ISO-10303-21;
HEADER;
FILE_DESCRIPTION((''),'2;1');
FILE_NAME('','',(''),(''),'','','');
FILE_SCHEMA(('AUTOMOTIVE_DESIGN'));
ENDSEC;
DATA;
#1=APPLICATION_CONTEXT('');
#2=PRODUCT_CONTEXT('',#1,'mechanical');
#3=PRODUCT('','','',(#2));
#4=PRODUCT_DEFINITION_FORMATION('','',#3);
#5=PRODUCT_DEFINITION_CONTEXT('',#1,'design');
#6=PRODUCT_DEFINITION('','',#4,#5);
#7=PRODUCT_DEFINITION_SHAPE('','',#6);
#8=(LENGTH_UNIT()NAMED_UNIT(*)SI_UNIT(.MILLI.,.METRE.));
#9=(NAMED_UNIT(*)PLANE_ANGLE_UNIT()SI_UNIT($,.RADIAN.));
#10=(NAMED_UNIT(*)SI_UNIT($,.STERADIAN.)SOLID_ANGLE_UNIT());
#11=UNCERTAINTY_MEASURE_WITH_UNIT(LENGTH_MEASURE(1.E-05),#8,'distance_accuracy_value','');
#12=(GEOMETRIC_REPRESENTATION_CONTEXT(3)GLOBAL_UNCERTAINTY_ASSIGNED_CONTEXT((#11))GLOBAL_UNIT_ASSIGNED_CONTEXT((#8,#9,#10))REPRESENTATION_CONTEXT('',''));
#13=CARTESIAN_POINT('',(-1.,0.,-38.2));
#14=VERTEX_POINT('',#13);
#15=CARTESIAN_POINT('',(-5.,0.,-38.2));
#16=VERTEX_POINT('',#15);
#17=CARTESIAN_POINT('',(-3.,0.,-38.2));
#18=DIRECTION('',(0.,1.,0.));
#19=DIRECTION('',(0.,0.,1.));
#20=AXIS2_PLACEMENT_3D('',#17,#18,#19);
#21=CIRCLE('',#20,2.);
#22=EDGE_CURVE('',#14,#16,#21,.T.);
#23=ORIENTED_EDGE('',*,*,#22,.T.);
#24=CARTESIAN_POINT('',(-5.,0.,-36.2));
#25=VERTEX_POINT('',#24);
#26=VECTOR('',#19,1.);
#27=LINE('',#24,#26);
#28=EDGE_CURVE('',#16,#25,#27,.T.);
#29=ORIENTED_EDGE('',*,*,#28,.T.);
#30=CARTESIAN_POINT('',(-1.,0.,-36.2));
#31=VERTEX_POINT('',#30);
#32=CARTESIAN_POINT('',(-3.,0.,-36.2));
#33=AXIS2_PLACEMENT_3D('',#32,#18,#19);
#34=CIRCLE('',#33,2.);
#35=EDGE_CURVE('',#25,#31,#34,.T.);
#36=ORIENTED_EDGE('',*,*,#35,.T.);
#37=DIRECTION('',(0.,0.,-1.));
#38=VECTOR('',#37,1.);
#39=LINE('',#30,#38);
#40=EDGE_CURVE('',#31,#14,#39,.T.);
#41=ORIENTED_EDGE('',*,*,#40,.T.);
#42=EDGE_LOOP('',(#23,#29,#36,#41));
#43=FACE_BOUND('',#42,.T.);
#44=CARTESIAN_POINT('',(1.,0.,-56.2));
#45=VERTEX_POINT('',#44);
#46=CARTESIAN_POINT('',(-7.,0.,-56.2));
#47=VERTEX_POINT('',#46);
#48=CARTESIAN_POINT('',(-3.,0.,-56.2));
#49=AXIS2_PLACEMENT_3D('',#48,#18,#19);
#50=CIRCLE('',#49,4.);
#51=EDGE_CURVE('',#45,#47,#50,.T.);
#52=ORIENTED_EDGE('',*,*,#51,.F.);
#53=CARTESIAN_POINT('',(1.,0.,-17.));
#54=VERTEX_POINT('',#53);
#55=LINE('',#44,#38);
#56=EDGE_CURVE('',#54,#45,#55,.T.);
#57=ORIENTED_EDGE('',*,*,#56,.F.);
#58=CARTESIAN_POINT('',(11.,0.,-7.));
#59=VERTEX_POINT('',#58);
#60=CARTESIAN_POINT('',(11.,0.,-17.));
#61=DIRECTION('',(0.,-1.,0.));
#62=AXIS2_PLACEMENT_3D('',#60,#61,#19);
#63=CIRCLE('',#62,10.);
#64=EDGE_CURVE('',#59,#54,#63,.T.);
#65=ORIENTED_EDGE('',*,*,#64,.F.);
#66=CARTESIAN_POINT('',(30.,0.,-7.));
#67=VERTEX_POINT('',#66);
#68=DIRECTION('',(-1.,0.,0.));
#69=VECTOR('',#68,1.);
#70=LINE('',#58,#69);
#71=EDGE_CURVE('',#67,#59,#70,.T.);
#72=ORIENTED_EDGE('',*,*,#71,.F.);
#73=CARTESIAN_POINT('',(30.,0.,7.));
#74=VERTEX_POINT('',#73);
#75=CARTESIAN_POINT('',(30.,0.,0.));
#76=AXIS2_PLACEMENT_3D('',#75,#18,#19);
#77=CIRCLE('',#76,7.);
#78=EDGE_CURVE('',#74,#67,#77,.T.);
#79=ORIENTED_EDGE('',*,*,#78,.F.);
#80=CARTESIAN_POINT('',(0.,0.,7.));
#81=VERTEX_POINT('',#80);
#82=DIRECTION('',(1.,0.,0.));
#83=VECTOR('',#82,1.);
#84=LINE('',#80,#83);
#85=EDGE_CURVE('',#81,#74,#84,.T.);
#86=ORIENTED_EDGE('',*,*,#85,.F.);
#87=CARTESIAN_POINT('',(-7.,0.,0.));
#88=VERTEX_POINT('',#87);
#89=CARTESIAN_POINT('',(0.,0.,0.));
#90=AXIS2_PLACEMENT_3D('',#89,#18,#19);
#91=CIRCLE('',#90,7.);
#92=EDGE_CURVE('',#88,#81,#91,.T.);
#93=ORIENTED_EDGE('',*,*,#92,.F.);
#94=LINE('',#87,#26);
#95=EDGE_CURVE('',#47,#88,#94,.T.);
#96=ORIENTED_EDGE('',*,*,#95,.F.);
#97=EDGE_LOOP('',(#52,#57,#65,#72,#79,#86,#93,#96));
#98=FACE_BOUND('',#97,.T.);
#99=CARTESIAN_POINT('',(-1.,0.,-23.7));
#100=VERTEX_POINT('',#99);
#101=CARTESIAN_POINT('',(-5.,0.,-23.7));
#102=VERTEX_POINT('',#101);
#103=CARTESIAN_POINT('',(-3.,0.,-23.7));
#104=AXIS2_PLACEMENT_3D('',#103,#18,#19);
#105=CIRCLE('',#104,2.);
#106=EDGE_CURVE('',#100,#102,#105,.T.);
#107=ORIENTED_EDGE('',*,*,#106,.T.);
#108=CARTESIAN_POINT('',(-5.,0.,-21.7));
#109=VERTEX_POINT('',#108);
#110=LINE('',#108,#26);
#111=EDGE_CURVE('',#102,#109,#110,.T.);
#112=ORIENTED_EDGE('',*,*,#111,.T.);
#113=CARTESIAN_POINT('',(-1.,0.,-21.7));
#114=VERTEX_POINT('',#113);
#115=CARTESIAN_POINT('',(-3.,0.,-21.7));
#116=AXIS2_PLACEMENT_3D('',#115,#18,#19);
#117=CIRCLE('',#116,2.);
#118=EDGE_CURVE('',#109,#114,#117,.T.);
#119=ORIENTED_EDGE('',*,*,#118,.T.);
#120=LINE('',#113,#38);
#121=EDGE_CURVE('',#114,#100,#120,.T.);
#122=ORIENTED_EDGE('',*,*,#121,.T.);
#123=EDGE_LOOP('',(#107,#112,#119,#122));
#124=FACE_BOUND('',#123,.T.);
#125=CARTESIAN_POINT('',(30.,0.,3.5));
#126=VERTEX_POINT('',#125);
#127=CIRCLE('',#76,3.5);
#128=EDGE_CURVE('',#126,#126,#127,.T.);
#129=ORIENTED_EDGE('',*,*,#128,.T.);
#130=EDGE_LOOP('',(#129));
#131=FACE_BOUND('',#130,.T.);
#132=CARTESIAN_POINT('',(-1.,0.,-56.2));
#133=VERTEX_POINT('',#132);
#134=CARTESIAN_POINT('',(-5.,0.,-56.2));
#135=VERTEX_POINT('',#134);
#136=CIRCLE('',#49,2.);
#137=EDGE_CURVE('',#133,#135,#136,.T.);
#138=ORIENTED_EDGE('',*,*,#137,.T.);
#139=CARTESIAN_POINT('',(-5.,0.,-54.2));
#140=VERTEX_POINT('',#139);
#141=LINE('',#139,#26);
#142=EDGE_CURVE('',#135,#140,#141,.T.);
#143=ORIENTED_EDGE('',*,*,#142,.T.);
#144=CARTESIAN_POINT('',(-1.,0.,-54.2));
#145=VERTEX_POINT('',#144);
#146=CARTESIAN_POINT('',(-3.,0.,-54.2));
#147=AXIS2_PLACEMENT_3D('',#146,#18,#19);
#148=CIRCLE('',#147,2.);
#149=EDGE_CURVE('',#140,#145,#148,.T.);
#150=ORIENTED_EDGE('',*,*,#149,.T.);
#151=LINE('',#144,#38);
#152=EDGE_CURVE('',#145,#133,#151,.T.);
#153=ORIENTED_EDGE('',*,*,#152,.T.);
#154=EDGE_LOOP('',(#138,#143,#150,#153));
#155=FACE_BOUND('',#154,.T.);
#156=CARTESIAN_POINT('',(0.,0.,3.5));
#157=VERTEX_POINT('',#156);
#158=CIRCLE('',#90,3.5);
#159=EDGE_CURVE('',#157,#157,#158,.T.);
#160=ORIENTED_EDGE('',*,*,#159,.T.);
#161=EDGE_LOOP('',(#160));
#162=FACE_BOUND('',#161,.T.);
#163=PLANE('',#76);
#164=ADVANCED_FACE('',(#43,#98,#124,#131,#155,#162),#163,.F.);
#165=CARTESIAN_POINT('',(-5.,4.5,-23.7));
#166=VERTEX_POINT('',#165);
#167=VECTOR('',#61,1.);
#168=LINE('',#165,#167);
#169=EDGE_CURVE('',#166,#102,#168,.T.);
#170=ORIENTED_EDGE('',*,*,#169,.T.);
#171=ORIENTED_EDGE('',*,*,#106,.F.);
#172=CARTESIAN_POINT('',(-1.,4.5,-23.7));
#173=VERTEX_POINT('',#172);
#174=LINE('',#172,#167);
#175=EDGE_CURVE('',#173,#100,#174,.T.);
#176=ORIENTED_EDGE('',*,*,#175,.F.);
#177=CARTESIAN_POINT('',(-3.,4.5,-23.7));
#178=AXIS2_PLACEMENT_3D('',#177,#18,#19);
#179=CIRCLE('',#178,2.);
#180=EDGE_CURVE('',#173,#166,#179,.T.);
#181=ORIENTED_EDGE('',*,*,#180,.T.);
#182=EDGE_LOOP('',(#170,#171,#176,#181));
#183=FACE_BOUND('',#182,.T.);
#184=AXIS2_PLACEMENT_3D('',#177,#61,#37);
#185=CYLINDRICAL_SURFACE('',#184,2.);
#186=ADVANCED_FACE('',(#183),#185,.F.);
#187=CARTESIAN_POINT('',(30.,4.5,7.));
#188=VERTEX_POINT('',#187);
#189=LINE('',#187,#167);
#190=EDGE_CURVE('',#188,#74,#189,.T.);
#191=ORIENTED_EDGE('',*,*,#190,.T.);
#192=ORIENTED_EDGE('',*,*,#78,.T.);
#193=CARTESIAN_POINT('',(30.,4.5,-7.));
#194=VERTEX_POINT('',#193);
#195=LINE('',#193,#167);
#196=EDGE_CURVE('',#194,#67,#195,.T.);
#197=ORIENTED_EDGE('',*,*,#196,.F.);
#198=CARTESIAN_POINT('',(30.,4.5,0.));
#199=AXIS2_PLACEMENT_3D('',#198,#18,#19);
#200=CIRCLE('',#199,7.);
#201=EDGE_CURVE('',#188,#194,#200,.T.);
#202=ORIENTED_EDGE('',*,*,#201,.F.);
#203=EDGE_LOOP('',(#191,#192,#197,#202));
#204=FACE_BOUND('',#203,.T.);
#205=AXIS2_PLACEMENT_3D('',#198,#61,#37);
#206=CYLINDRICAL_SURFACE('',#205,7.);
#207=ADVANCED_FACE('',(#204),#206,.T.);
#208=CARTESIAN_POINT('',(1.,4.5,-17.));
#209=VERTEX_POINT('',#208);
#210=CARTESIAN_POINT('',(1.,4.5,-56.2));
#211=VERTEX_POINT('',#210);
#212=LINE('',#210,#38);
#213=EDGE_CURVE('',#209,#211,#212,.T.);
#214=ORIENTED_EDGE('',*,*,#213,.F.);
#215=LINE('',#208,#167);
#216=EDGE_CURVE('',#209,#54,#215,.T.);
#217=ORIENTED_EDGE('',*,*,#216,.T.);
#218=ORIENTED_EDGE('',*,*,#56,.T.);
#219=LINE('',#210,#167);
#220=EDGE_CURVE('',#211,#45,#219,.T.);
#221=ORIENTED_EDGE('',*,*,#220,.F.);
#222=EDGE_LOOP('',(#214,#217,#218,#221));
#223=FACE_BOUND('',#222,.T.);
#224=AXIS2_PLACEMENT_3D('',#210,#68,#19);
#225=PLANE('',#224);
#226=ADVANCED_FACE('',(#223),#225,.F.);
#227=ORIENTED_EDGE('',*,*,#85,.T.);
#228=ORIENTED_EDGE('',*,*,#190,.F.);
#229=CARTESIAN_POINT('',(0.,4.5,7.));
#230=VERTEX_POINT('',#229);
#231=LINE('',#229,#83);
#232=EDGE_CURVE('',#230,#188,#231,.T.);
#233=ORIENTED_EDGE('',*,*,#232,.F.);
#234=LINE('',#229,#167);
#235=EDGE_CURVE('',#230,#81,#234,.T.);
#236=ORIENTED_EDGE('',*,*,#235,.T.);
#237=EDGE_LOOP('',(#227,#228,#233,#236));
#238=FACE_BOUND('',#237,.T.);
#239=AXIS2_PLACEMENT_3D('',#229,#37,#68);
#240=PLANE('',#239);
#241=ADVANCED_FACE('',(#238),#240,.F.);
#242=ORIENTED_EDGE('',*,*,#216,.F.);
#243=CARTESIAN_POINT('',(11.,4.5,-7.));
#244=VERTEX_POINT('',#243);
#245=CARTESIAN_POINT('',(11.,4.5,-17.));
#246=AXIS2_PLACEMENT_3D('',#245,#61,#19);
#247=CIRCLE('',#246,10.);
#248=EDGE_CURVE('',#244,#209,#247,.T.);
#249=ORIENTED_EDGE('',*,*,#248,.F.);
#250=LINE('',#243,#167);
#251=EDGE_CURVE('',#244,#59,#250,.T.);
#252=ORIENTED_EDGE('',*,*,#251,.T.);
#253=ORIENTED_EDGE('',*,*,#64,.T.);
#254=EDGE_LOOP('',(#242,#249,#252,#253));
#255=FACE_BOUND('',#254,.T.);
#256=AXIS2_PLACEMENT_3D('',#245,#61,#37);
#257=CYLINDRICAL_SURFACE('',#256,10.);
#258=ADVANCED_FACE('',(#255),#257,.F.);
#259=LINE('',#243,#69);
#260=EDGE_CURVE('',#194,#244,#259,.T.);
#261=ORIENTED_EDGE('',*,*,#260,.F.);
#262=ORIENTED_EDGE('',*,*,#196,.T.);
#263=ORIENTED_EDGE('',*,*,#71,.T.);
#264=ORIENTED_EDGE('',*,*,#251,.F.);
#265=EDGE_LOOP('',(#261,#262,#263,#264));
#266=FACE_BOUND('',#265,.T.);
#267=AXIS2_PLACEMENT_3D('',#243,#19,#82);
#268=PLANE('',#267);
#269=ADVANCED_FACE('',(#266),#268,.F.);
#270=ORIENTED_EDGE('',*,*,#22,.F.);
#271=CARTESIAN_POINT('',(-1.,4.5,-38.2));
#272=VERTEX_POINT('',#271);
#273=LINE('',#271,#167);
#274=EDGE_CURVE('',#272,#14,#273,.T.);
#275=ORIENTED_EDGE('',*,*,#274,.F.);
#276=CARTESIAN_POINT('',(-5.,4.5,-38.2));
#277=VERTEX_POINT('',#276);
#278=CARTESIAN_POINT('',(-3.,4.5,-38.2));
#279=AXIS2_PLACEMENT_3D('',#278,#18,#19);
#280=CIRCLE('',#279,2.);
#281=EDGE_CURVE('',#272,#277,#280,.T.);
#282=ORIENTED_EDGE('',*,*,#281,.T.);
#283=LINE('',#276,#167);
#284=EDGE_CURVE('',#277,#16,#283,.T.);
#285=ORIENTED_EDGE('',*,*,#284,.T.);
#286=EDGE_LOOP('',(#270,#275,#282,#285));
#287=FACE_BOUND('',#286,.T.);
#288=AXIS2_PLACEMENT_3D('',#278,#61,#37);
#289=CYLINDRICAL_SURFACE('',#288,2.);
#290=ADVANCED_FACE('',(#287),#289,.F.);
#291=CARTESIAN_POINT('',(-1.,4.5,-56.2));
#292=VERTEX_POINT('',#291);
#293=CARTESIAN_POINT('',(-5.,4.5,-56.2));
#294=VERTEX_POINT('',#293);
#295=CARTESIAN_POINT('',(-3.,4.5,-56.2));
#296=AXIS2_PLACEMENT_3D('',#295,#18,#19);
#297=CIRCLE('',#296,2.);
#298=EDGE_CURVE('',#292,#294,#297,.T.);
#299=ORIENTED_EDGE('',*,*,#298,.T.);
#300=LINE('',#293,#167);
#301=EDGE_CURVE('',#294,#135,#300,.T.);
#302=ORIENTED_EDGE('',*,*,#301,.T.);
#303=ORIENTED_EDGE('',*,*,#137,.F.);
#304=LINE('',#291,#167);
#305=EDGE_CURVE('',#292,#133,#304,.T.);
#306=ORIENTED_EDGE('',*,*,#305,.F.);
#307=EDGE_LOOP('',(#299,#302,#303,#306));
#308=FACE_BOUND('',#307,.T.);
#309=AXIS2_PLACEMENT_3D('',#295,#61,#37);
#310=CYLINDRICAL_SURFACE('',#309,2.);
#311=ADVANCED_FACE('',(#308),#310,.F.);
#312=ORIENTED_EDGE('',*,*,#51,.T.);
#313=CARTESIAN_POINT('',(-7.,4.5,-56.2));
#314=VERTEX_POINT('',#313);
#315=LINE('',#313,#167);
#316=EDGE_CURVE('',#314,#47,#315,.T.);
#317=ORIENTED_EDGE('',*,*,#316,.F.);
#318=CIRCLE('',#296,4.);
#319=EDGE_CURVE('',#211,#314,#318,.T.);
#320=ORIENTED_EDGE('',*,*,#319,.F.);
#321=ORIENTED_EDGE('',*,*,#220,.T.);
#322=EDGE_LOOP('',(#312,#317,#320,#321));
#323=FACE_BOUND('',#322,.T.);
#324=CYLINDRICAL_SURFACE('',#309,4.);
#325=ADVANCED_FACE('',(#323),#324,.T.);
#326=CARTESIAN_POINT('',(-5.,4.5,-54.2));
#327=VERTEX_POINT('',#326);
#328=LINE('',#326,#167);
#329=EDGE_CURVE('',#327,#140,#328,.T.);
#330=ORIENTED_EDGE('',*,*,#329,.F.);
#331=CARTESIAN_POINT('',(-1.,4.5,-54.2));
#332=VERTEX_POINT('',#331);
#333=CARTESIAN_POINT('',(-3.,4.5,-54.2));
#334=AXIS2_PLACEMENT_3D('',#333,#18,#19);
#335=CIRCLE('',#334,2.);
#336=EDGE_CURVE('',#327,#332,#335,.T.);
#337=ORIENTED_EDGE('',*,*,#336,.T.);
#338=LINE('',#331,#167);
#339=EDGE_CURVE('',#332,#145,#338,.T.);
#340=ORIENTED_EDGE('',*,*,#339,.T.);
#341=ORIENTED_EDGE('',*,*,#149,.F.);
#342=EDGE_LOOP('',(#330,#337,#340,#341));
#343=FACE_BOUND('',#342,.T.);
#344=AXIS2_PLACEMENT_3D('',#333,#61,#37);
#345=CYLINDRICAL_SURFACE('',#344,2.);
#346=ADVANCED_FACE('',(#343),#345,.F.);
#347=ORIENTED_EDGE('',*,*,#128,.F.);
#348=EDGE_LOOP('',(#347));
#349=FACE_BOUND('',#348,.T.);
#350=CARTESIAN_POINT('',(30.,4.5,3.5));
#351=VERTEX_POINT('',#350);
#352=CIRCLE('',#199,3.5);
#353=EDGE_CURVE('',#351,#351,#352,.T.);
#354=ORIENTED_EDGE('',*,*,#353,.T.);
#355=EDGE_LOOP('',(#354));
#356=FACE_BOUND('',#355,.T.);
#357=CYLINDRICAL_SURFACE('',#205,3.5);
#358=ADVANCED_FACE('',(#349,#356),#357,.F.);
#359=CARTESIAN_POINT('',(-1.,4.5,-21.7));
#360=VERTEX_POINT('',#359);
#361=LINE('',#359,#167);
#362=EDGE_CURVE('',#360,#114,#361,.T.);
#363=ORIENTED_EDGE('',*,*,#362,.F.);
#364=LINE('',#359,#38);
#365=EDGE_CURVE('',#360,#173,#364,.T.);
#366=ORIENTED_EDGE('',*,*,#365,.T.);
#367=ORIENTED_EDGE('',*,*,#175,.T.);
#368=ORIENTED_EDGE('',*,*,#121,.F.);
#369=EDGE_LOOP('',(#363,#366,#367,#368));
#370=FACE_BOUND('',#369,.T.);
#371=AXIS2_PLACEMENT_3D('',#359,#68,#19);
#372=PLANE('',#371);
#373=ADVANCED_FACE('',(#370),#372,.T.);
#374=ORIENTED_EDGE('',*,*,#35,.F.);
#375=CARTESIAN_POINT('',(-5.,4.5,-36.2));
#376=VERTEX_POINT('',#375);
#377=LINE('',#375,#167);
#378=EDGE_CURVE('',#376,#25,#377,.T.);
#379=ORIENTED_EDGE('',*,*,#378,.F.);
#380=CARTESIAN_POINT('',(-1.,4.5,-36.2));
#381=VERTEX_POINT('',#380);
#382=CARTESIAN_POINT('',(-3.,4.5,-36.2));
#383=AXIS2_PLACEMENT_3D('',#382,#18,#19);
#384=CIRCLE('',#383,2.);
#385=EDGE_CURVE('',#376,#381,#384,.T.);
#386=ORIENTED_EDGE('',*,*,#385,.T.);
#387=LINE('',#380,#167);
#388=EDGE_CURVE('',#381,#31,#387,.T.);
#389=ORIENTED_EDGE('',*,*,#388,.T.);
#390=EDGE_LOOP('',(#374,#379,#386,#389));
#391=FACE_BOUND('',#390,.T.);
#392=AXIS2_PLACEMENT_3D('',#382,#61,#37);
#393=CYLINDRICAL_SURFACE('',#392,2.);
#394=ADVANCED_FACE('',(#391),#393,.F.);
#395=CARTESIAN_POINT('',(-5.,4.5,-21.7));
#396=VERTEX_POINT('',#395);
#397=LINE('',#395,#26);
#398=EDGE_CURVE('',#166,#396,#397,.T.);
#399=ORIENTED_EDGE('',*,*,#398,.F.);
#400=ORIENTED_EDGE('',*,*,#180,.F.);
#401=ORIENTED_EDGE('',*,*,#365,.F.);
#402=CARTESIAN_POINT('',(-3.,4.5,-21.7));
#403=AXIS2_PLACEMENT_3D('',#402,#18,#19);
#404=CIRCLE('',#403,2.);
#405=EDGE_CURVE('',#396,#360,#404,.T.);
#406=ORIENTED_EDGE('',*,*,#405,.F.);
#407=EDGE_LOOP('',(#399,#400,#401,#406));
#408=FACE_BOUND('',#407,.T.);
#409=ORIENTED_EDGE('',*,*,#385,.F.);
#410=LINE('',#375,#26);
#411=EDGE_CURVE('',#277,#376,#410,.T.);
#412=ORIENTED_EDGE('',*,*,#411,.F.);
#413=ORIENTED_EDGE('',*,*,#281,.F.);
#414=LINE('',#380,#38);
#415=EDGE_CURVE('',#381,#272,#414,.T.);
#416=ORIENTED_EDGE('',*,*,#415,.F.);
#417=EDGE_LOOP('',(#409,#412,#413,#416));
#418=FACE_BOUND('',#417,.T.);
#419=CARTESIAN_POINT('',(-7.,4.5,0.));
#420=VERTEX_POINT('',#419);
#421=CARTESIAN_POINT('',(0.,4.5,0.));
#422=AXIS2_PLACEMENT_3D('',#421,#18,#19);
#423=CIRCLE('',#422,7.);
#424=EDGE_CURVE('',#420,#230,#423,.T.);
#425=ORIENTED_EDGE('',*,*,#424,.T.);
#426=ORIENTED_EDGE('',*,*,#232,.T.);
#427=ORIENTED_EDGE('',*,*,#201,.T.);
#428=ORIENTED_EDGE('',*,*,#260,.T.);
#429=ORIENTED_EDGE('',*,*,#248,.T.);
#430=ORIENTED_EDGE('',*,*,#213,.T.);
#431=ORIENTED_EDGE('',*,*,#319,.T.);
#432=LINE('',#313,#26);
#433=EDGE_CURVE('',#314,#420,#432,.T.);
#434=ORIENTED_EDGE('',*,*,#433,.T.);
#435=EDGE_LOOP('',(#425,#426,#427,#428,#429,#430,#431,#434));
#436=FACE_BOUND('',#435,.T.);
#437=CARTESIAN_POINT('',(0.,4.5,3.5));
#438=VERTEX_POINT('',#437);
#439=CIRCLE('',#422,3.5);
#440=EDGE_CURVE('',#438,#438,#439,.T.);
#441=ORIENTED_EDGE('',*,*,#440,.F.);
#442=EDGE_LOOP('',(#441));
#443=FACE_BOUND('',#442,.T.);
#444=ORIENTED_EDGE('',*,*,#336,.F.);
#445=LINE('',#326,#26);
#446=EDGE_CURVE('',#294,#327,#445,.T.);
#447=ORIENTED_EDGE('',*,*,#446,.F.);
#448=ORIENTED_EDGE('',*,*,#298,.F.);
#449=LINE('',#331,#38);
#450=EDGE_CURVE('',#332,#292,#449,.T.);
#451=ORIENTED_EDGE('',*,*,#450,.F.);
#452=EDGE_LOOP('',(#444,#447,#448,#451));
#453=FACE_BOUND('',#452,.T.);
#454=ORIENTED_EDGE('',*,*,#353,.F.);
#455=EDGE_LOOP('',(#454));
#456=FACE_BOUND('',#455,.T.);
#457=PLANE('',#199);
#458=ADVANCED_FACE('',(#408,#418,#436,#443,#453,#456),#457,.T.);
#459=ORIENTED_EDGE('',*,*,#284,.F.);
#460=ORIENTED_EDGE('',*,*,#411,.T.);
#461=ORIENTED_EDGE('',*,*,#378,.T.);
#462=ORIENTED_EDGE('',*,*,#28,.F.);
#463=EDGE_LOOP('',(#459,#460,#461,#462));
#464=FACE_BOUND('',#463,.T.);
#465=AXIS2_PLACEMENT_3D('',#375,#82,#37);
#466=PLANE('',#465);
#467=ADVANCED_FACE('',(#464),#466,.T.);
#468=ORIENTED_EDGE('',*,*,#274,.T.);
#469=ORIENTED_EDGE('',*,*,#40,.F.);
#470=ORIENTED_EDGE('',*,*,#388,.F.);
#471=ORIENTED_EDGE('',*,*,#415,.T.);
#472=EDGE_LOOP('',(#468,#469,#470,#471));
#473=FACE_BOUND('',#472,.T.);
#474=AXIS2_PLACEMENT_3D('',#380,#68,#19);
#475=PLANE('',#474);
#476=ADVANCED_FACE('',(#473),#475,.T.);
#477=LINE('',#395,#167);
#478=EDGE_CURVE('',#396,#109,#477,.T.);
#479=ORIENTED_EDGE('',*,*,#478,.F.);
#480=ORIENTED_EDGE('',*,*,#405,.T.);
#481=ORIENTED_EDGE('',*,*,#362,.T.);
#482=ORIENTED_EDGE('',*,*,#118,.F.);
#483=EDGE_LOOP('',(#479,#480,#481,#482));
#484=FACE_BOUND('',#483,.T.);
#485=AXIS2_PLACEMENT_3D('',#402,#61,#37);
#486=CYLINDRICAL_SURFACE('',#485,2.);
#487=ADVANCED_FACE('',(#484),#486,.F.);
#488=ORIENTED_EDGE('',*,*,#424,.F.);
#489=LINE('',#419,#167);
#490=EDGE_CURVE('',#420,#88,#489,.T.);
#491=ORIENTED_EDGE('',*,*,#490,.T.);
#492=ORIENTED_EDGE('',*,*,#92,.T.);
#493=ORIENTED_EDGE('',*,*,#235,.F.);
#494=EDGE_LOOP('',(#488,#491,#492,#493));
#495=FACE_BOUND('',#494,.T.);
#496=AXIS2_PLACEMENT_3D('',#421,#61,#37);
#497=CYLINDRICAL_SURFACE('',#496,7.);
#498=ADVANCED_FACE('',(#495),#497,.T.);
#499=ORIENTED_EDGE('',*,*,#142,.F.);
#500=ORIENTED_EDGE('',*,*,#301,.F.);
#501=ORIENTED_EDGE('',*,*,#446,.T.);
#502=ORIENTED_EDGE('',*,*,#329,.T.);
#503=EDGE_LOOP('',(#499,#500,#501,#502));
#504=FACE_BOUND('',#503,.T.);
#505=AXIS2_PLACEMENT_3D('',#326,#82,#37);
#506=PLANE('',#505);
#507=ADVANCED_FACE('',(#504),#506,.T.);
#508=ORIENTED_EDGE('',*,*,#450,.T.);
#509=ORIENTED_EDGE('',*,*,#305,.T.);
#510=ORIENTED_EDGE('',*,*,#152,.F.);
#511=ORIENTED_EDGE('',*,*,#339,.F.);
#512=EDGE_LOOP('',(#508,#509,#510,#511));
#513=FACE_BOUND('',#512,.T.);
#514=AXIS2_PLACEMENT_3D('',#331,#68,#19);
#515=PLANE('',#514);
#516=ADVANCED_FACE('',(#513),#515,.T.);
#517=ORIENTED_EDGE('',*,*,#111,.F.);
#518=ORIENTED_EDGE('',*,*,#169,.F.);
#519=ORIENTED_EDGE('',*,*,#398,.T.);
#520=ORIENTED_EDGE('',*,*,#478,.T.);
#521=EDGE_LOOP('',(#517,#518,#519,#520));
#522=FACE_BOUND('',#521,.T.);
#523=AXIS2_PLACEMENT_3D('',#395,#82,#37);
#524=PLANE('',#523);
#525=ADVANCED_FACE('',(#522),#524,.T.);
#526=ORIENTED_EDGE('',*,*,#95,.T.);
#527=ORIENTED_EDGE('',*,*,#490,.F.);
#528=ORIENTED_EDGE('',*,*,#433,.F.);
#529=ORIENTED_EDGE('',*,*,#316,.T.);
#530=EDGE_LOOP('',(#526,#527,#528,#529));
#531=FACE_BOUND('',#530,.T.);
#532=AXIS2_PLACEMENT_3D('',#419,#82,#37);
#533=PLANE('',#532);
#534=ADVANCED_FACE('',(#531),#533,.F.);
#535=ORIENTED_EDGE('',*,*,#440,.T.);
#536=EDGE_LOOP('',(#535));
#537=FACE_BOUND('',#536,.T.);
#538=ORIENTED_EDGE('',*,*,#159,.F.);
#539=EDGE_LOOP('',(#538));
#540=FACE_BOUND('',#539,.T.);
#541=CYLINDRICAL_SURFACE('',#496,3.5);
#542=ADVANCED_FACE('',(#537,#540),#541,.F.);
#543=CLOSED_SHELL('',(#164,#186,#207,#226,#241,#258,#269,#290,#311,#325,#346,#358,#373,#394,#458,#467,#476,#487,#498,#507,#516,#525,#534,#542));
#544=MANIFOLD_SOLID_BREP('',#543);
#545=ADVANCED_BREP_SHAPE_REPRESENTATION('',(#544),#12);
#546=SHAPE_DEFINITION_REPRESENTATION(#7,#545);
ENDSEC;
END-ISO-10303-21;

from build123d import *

# Parameters (mm, degrees)
SKETCH1_R           = 3.5
BOSS_EXTRUDE1_DEPTH = 4.5


with BuildPart() as part:
    # Sketch1 → Boss-Extrude1 (new body)
    with BuildSketch(Plane(origin=(0, 0, 0), x_dir=(1, 0, 0), z_dir=(0, 1, 0))):
        with BuildLine():
            Line((11, 7), (30, 7))
            ThreePointArc((30, 7), (37, 0), (30, -7))
            Line((30, -7), (0, -7))
            ThreePointArc((0, -7), (-4.949747468, -4.949747468), (-7, 0))
            Line((-7, 0), (-7, 21.7))
            Line((-7, 21.7), (-7, 56.2))
            ThreePointArc((-7, 56.2), (-3, 60.2), (1, 56.2))
            Line((1, 56.2), (1, 17))
            ThreePointArc((1, 17), (3.928932188, 9.928932188), (11, 7))
        make_face()
        with Locations(Location((0, 0, 0), (0, 0, 270))):
            Circle(SKETCH1_R, mode=Mode.SUBTRACT)
        with Locations(Location((30, 0, 0), (0, 0, 270))):
            Circle(SKETCH1_R, mode=Mode.SUBTRACT)
        with BuildLine():
            Line((-5, 21.7), (-5, 23.7))
            ThreePointArc((-5, 23.7), (-3, 25.7), (-1, 23.7))
            Line((-1, 23.7), (-1, 21.7))
            ThreePointArc((-1, 21.7), (-3, 19.7), (-5, 21.7))
        make_face(mode=Mode.SUBTRACT)
        with BuildLine():
            Line((-5, 36.2), (-5, 38.2))
            ThreePointArc((-5, 38.2), (-3, 40.2), (-1, 38.2))
            Line((-1, 38.2), (-1, 36.2))
            ThreePointArc((-1, 36.2), (-3, 34.2), (-5, 36.2))
        make_face(mode=Mode.SUBTRACT)
        with BuildLine():
            Line((-5, 54.2), (-5, 56.2))
            ThreePointArc((-5, 56.2), (-3, 58.2), (-1, 56.2))
            Line((-1, 56.2), (-1, 54.2))
            ThreePointArc((-1, 54.2), (-3, 52.2), (-5, 54.2))
        make_face(mode=Mode.SUBTRACT)
    extrude(amount=BOSS_EXTRUDE1_DEPTH)


solid = part.part
